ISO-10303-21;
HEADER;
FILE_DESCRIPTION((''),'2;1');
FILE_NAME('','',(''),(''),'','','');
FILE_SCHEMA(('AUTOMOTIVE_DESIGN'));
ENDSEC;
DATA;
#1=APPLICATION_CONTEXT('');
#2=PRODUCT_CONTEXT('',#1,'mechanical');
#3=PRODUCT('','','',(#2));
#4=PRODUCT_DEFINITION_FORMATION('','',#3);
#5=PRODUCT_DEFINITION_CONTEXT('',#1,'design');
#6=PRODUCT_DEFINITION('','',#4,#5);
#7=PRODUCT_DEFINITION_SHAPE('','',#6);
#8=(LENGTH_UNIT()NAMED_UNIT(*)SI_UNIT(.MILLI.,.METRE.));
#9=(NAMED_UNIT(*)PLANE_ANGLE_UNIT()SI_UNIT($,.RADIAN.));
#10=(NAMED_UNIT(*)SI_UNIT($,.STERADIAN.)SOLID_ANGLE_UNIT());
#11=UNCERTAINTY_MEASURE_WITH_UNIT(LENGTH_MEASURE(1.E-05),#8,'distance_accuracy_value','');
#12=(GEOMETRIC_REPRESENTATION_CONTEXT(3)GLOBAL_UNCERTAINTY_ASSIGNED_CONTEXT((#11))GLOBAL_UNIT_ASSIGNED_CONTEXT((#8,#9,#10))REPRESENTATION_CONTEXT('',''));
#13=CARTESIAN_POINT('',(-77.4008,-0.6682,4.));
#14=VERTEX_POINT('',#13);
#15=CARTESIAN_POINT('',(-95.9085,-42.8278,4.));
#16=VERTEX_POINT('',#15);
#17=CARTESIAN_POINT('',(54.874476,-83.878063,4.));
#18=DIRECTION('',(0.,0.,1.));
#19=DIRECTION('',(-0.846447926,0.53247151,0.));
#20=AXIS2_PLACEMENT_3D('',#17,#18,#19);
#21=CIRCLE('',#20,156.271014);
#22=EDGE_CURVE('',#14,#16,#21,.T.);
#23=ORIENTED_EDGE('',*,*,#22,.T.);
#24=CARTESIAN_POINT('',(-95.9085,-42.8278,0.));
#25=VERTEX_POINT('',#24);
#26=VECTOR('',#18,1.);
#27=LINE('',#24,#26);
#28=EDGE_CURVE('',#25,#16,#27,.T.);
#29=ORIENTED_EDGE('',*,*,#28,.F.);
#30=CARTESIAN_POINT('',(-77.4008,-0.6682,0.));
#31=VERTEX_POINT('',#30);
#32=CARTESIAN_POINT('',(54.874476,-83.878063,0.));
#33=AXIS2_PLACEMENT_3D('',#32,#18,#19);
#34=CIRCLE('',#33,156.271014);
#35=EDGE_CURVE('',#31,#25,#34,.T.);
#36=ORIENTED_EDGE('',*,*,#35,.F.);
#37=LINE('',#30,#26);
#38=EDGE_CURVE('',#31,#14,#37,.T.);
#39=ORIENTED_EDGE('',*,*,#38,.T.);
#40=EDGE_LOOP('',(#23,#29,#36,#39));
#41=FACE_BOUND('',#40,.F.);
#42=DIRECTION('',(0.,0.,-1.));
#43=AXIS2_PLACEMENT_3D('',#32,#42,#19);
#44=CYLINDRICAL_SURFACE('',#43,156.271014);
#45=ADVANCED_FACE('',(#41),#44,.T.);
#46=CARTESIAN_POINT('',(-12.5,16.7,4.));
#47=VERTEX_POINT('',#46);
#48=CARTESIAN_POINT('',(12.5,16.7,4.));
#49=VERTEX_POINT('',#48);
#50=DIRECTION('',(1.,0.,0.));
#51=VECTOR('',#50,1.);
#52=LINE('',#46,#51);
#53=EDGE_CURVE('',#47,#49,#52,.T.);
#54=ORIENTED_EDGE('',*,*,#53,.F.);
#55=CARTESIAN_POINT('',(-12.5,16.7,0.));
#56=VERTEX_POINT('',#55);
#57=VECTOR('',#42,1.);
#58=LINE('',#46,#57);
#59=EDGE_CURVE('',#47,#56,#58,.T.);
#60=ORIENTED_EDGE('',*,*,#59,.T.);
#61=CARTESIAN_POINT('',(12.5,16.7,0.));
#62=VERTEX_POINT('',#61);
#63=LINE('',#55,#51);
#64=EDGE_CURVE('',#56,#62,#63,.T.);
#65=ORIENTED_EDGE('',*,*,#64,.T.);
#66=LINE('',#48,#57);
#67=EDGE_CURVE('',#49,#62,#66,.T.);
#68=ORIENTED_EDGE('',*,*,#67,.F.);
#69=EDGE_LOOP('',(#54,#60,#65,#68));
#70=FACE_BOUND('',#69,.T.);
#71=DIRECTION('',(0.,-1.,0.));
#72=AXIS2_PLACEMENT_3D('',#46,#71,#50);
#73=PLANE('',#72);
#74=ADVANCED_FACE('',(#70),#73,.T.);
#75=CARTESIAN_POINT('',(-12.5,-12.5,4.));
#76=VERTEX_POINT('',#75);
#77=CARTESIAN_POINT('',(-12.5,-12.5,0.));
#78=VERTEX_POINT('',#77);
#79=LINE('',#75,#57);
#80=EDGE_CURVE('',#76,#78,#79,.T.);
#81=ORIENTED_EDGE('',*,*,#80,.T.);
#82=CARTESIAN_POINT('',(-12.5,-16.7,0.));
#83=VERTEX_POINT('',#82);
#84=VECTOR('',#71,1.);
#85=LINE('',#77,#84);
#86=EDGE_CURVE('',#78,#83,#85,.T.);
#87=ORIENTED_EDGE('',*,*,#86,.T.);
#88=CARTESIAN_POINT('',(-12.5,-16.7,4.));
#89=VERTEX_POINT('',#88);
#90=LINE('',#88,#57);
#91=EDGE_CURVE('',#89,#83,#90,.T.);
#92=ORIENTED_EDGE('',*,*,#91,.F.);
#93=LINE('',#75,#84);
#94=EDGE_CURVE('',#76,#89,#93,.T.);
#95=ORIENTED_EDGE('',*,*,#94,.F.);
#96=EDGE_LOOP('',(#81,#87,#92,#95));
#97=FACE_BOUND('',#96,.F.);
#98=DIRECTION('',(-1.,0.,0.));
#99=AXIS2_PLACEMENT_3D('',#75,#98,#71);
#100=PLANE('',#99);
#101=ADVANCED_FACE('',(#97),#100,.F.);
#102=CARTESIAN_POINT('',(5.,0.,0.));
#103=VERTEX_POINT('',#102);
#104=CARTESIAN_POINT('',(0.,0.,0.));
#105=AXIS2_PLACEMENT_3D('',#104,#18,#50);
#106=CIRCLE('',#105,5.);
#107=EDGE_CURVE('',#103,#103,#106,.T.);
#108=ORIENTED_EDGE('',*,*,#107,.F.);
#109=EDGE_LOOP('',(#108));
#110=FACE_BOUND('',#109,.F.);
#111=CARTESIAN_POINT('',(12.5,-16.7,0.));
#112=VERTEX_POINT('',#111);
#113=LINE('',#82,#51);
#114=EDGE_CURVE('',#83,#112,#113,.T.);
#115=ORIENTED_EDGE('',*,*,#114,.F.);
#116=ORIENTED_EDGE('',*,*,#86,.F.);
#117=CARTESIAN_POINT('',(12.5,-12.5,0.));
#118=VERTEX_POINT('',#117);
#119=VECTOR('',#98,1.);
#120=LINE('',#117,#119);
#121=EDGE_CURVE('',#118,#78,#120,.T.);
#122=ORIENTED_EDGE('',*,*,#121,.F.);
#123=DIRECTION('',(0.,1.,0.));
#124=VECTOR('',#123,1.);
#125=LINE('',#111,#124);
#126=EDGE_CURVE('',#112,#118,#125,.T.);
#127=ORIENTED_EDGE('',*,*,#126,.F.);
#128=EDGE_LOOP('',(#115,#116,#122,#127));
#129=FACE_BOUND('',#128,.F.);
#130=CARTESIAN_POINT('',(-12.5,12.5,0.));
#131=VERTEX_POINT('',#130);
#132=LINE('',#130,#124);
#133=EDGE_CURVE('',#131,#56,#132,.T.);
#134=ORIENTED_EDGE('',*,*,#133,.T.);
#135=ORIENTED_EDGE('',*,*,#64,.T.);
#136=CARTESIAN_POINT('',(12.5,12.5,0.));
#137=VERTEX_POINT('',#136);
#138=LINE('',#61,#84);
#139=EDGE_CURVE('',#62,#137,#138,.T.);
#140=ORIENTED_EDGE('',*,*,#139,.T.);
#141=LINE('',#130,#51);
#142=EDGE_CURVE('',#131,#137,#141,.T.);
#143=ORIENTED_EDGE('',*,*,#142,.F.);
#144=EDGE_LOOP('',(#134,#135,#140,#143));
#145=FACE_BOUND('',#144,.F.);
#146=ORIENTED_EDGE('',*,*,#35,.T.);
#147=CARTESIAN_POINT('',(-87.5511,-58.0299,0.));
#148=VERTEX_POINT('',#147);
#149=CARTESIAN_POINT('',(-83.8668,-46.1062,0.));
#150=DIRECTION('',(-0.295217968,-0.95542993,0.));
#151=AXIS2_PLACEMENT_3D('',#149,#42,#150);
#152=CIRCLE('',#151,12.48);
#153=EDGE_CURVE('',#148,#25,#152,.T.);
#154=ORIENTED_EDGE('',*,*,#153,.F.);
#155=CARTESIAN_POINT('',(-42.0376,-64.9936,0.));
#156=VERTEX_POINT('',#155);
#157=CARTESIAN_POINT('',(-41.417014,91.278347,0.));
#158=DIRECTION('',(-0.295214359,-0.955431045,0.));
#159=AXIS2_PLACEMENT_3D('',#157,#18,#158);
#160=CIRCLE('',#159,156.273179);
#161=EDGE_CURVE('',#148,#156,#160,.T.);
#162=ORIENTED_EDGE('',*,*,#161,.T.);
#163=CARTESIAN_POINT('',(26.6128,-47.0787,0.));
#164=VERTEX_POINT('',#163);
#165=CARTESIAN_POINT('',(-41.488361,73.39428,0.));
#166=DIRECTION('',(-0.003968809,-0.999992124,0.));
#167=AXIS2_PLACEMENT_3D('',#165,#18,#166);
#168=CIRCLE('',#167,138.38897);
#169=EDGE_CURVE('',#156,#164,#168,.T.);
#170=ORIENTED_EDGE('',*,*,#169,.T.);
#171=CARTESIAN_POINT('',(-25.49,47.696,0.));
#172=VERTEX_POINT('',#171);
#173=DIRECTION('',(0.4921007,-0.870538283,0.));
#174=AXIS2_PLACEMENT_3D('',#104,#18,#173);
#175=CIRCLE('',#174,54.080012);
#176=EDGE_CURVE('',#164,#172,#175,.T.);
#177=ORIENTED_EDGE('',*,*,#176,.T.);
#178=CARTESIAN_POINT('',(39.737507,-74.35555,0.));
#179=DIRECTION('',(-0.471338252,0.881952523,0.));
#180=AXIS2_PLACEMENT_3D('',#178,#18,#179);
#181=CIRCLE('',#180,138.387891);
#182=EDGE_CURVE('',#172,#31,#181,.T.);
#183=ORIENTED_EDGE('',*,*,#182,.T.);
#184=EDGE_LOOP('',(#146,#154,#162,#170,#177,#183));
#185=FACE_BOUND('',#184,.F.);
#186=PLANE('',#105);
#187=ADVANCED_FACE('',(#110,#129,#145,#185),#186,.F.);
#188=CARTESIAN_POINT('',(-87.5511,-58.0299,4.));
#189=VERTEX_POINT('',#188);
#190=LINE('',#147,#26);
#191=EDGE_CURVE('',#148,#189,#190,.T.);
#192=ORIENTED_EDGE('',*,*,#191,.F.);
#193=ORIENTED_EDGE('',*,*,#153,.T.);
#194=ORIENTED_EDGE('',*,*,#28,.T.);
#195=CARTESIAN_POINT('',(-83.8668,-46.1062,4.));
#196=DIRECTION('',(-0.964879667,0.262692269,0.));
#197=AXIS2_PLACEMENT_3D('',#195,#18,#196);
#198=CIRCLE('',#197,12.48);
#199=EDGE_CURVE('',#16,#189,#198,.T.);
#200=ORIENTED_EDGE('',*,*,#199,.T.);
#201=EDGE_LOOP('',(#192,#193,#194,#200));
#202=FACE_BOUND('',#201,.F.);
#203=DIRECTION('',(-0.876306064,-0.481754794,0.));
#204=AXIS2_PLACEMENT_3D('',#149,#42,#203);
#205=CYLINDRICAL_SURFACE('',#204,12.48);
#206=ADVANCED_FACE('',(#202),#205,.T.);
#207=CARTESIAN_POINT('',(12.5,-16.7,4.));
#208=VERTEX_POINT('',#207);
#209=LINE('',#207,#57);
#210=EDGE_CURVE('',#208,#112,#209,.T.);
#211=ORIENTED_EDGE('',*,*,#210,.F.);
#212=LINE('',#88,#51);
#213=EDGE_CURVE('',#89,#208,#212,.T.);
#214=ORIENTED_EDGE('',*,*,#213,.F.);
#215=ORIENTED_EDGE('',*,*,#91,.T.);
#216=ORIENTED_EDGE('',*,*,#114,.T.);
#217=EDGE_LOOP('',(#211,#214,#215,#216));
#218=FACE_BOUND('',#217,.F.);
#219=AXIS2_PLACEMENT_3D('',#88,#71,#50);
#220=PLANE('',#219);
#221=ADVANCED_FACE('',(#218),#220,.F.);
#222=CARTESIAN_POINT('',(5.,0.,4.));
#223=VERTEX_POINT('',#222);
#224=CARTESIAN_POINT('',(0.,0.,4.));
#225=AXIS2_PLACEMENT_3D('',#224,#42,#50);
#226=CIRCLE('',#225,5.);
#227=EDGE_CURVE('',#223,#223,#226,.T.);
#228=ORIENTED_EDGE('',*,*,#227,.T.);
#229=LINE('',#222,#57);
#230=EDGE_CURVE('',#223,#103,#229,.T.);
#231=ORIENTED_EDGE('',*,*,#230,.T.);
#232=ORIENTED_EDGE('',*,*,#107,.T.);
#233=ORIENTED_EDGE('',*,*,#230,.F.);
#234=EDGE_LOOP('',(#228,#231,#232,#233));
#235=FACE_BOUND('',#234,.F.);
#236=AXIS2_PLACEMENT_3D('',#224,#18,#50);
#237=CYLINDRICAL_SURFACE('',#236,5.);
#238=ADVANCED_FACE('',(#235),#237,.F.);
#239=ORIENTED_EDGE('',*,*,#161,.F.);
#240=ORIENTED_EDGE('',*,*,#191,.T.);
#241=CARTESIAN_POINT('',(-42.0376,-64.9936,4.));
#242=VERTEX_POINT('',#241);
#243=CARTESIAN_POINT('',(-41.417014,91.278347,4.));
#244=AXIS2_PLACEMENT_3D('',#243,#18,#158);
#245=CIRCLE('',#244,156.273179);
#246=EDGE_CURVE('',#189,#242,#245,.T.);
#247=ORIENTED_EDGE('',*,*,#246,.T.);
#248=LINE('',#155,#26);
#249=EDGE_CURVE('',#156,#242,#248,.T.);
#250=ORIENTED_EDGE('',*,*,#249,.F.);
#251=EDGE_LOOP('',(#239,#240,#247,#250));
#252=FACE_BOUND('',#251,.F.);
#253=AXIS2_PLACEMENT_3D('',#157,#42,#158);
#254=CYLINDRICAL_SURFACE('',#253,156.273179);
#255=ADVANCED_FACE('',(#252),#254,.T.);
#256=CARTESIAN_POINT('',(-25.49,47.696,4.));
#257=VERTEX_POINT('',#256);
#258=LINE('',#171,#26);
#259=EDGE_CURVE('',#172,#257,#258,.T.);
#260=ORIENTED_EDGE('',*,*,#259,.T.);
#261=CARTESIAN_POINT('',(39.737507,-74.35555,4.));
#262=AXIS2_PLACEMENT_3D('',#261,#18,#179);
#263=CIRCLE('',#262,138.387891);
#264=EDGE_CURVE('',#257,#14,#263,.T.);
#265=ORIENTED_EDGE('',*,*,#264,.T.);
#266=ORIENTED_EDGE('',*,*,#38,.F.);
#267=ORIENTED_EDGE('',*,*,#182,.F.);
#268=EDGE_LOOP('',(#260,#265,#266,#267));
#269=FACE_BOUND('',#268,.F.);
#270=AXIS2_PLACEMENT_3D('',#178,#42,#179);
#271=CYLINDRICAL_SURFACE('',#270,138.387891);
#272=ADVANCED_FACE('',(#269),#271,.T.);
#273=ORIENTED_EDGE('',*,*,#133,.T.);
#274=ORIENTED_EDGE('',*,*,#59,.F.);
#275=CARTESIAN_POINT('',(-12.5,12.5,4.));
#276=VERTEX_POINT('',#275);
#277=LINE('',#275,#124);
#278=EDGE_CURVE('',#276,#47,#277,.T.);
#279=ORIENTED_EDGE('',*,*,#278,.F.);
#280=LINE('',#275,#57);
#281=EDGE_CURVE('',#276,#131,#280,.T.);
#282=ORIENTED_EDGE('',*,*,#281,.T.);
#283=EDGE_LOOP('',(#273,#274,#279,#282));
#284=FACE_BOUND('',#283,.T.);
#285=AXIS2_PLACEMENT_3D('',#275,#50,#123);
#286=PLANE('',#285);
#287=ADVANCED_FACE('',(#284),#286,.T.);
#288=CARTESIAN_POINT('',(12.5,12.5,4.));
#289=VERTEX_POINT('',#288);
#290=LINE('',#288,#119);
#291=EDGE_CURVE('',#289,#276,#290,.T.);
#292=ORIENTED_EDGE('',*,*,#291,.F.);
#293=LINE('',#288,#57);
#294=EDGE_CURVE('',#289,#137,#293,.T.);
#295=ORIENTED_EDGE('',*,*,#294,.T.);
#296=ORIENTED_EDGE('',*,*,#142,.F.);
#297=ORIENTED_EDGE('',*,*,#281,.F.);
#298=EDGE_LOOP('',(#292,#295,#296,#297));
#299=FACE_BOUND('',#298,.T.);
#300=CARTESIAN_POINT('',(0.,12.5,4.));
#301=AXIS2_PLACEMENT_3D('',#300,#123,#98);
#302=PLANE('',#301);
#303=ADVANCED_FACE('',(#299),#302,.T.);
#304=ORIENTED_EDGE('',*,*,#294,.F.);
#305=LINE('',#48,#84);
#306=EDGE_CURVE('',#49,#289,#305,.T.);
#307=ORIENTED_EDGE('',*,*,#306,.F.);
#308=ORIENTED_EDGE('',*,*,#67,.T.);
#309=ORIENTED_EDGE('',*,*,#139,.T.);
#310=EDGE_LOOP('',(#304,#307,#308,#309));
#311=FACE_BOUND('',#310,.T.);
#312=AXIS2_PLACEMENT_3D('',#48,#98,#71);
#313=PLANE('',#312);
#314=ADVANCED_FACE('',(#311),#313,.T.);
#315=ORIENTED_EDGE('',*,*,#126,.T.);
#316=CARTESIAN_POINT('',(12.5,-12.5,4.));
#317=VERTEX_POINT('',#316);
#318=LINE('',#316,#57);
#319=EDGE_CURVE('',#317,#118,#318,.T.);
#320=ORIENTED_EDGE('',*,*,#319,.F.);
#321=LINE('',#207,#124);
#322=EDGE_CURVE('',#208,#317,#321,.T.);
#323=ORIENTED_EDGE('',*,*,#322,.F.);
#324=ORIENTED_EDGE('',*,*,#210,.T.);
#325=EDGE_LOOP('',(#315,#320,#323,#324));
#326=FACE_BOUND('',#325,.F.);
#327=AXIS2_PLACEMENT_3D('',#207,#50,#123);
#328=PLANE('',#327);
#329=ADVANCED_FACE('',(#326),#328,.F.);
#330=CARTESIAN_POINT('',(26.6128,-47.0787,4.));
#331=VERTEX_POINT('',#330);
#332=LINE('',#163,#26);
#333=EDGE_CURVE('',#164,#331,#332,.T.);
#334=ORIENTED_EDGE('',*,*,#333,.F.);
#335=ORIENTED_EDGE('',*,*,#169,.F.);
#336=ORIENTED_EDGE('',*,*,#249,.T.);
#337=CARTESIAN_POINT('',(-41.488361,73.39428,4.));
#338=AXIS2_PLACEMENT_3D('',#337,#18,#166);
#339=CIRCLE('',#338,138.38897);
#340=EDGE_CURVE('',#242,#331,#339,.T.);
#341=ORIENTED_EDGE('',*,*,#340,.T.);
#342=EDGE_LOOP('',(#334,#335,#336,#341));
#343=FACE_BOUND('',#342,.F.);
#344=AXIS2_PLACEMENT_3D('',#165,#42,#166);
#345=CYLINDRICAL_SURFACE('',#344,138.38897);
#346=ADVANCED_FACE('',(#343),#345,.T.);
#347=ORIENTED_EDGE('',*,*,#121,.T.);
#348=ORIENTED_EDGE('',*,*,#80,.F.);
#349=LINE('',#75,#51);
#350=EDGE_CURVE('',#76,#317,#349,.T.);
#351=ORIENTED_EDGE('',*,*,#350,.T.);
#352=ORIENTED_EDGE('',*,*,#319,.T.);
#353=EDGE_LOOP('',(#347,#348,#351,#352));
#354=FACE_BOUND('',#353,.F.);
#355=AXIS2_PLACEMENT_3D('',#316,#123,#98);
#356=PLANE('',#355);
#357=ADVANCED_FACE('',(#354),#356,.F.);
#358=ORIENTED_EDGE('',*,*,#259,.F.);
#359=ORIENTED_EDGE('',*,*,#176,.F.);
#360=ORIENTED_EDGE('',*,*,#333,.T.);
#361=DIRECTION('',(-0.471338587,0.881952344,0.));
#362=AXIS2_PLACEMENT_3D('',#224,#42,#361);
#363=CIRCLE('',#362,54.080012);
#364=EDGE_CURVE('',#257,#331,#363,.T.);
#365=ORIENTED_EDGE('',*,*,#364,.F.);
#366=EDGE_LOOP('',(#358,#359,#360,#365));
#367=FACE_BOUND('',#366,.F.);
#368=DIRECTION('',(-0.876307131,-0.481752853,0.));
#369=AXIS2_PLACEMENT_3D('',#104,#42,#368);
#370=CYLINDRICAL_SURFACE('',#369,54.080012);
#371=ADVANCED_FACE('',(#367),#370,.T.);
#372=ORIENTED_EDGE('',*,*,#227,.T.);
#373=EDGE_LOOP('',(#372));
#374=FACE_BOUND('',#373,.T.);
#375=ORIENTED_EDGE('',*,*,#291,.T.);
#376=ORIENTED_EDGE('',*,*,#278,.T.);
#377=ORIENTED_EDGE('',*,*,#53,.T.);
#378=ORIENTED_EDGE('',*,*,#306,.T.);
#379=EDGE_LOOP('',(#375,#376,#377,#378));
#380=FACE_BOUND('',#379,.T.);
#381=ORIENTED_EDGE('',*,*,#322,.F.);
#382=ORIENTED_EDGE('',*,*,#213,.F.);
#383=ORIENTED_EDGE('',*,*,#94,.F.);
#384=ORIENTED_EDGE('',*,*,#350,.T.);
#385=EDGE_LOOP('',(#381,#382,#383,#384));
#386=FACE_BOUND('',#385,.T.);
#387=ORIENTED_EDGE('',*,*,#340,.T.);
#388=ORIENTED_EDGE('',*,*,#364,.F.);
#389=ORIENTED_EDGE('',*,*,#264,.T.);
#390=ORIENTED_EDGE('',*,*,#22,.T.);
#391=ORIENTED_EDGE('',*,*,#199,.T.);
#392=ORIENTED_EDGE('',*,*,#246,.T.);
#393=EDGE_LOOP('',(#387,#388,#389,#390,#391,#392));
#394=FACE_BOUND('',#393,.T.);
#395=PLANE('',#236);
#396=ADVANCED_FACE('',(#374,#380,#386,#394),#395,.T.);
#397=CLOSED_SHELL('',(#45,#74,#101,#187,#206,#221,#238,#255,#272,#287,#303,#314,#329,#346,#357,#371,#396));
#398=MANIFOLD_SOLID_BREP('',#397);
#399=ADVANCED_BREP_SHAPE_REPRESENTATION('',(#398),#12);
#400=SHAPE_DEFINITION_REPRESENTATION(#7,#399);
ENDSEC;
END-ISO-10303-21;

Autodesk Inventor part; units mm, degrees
ref_plane "YZ Plane" through (0, 0, 0) normal (1, 0, 0) x (0, 1, 0)
ref_plane "XZ Plane" through (0, 0, 0) normal (0, 1, 0) x (-1, 0, 0)
ref_plane "XY Plane" through (0, 0, 0) normal (0, 0, 1) x (1, 0, 0)
sketch "Boceto1" plane through (0, 0, 0) normal (0, 0, 1) x (1, 0, 0)
  arc A0 (47.3907, 26.0532) -> (-47.3907, -26.0532) centre (0, 0) ccw
  arc A1 (-72.9305, -40.0939) -> (-94.8031, -52.1185) centre (-83.8668, -46.1062) ccw
  line L0 (-97.9695, -53.8592) -> (-103.9817, -42.9229)
  line L1 (-25.49, 47.696) -> (-35.5105, 65.9231)
  line L2 (-35.5105, 65.9231) -> (-103.9817, -42.9229)
  line L3 (-103.9817, -42.9229) -> (-77.4008, -0.6682)
  arc A2 (-25.49, 47.696) -> (-77.4008, -0.6682) centre (39.7379, -74.3561) ccw
  arc A3 (-77.4008, -0.6682) -> (-95.9085, -42.8278) centre (54.8753, -83.8785) ccw
  line L4 (3.6454, 2.0041) -> (47.3907, 26.0532)
  line L5 (-3.6454, -2.0041) -> (-97.9695, -53.8592)
  arc A4 (-47.3907, -26.0532) -> (47.3907, 26.0532) centre (0, 0) ccw
  arc A5 (-94.8031, -52.1185) -> (-72.9305, -40.0939) centre (-83.8668, -46.1062) ccw
  line L6 (-97.9695, -53.8592) -> (-91.9572, -64.7955)
  line L7 (26.6128, -47.0787) -> (36.6333, -65.3059)
  line L8 (36.6333, -65.3059) -> (-91.9572, -64.7955)
  line L9 (-91.9572, -64.7955) -> (-42.0376, -64.9936)
  arc A6 (-42.0376, -64.9936) -> (26.6128, -47.0787) centre (-41.4883, 73.3938) ccw
  arc A7 (-87.5511, -58.0299) -> (-42.0376, -64.9936) centre (-41.4173, 91.2771) ccw
  dimension "d0" = 108.16
  dimension "d6" = 24.96
  dimension "d7" = 12.48
  dimension "d8" = 20.8
  dimension "d9" = 49.92
extrude "Extrusión2" add sketch "Boceto1" along normal blind 4 contours A4 A0 | A0 L5 A1 A3 A2 | A6 A7 A5 L5 A4 | L5 A1 | A5 L5
sketch "Boceto2" plane through (0, 0, 4) normal (0, 0, 1) x (1, 0, 0)
  line L0 (0, 0) -> (0, 12.5)
  line L1 (0, 12.5) -> (-12.5, 12.5)
  line L2 (-12.5, 12.5) -> (-12.5, 16.7)
  line L3 (-12.5, 16.7) -> (12.5, 16.7)
  line L4 (12.5, 16.7) -> (12.5, 12.5)
  line L5 (12.5, 12.5) -> (0, 12.5)
  line L6 (0, 0) -> (12.5, 0)
  line L7 (0, 0) -> (0, -12.5)
  line L8 (0, -12.5) -> (-12.5, -12.5)
  line L9 (-12.5, -12.5) -> (-12.5, -16.7)
  line L10 (-12.5, -16.7) -> (12.5, -16.7)
  line L11 (12.5, -16.7) -> (12.5, -12.5)
  line L12 (12.5, -12.5) -> (0, -12.5)
  circle A0 centre (0, 0) radius 5
  dimension "d24" = 12.5
  dimension "d25" = 12.5
  dimension "d26" = 4.2
  dimension "d27" = 25
  dimension "d28" = 10
extrude "Extrusión3" cut sketch "Boceto2" against normal blind 4
properties part number "leva00" material "Madera (abedul)"
